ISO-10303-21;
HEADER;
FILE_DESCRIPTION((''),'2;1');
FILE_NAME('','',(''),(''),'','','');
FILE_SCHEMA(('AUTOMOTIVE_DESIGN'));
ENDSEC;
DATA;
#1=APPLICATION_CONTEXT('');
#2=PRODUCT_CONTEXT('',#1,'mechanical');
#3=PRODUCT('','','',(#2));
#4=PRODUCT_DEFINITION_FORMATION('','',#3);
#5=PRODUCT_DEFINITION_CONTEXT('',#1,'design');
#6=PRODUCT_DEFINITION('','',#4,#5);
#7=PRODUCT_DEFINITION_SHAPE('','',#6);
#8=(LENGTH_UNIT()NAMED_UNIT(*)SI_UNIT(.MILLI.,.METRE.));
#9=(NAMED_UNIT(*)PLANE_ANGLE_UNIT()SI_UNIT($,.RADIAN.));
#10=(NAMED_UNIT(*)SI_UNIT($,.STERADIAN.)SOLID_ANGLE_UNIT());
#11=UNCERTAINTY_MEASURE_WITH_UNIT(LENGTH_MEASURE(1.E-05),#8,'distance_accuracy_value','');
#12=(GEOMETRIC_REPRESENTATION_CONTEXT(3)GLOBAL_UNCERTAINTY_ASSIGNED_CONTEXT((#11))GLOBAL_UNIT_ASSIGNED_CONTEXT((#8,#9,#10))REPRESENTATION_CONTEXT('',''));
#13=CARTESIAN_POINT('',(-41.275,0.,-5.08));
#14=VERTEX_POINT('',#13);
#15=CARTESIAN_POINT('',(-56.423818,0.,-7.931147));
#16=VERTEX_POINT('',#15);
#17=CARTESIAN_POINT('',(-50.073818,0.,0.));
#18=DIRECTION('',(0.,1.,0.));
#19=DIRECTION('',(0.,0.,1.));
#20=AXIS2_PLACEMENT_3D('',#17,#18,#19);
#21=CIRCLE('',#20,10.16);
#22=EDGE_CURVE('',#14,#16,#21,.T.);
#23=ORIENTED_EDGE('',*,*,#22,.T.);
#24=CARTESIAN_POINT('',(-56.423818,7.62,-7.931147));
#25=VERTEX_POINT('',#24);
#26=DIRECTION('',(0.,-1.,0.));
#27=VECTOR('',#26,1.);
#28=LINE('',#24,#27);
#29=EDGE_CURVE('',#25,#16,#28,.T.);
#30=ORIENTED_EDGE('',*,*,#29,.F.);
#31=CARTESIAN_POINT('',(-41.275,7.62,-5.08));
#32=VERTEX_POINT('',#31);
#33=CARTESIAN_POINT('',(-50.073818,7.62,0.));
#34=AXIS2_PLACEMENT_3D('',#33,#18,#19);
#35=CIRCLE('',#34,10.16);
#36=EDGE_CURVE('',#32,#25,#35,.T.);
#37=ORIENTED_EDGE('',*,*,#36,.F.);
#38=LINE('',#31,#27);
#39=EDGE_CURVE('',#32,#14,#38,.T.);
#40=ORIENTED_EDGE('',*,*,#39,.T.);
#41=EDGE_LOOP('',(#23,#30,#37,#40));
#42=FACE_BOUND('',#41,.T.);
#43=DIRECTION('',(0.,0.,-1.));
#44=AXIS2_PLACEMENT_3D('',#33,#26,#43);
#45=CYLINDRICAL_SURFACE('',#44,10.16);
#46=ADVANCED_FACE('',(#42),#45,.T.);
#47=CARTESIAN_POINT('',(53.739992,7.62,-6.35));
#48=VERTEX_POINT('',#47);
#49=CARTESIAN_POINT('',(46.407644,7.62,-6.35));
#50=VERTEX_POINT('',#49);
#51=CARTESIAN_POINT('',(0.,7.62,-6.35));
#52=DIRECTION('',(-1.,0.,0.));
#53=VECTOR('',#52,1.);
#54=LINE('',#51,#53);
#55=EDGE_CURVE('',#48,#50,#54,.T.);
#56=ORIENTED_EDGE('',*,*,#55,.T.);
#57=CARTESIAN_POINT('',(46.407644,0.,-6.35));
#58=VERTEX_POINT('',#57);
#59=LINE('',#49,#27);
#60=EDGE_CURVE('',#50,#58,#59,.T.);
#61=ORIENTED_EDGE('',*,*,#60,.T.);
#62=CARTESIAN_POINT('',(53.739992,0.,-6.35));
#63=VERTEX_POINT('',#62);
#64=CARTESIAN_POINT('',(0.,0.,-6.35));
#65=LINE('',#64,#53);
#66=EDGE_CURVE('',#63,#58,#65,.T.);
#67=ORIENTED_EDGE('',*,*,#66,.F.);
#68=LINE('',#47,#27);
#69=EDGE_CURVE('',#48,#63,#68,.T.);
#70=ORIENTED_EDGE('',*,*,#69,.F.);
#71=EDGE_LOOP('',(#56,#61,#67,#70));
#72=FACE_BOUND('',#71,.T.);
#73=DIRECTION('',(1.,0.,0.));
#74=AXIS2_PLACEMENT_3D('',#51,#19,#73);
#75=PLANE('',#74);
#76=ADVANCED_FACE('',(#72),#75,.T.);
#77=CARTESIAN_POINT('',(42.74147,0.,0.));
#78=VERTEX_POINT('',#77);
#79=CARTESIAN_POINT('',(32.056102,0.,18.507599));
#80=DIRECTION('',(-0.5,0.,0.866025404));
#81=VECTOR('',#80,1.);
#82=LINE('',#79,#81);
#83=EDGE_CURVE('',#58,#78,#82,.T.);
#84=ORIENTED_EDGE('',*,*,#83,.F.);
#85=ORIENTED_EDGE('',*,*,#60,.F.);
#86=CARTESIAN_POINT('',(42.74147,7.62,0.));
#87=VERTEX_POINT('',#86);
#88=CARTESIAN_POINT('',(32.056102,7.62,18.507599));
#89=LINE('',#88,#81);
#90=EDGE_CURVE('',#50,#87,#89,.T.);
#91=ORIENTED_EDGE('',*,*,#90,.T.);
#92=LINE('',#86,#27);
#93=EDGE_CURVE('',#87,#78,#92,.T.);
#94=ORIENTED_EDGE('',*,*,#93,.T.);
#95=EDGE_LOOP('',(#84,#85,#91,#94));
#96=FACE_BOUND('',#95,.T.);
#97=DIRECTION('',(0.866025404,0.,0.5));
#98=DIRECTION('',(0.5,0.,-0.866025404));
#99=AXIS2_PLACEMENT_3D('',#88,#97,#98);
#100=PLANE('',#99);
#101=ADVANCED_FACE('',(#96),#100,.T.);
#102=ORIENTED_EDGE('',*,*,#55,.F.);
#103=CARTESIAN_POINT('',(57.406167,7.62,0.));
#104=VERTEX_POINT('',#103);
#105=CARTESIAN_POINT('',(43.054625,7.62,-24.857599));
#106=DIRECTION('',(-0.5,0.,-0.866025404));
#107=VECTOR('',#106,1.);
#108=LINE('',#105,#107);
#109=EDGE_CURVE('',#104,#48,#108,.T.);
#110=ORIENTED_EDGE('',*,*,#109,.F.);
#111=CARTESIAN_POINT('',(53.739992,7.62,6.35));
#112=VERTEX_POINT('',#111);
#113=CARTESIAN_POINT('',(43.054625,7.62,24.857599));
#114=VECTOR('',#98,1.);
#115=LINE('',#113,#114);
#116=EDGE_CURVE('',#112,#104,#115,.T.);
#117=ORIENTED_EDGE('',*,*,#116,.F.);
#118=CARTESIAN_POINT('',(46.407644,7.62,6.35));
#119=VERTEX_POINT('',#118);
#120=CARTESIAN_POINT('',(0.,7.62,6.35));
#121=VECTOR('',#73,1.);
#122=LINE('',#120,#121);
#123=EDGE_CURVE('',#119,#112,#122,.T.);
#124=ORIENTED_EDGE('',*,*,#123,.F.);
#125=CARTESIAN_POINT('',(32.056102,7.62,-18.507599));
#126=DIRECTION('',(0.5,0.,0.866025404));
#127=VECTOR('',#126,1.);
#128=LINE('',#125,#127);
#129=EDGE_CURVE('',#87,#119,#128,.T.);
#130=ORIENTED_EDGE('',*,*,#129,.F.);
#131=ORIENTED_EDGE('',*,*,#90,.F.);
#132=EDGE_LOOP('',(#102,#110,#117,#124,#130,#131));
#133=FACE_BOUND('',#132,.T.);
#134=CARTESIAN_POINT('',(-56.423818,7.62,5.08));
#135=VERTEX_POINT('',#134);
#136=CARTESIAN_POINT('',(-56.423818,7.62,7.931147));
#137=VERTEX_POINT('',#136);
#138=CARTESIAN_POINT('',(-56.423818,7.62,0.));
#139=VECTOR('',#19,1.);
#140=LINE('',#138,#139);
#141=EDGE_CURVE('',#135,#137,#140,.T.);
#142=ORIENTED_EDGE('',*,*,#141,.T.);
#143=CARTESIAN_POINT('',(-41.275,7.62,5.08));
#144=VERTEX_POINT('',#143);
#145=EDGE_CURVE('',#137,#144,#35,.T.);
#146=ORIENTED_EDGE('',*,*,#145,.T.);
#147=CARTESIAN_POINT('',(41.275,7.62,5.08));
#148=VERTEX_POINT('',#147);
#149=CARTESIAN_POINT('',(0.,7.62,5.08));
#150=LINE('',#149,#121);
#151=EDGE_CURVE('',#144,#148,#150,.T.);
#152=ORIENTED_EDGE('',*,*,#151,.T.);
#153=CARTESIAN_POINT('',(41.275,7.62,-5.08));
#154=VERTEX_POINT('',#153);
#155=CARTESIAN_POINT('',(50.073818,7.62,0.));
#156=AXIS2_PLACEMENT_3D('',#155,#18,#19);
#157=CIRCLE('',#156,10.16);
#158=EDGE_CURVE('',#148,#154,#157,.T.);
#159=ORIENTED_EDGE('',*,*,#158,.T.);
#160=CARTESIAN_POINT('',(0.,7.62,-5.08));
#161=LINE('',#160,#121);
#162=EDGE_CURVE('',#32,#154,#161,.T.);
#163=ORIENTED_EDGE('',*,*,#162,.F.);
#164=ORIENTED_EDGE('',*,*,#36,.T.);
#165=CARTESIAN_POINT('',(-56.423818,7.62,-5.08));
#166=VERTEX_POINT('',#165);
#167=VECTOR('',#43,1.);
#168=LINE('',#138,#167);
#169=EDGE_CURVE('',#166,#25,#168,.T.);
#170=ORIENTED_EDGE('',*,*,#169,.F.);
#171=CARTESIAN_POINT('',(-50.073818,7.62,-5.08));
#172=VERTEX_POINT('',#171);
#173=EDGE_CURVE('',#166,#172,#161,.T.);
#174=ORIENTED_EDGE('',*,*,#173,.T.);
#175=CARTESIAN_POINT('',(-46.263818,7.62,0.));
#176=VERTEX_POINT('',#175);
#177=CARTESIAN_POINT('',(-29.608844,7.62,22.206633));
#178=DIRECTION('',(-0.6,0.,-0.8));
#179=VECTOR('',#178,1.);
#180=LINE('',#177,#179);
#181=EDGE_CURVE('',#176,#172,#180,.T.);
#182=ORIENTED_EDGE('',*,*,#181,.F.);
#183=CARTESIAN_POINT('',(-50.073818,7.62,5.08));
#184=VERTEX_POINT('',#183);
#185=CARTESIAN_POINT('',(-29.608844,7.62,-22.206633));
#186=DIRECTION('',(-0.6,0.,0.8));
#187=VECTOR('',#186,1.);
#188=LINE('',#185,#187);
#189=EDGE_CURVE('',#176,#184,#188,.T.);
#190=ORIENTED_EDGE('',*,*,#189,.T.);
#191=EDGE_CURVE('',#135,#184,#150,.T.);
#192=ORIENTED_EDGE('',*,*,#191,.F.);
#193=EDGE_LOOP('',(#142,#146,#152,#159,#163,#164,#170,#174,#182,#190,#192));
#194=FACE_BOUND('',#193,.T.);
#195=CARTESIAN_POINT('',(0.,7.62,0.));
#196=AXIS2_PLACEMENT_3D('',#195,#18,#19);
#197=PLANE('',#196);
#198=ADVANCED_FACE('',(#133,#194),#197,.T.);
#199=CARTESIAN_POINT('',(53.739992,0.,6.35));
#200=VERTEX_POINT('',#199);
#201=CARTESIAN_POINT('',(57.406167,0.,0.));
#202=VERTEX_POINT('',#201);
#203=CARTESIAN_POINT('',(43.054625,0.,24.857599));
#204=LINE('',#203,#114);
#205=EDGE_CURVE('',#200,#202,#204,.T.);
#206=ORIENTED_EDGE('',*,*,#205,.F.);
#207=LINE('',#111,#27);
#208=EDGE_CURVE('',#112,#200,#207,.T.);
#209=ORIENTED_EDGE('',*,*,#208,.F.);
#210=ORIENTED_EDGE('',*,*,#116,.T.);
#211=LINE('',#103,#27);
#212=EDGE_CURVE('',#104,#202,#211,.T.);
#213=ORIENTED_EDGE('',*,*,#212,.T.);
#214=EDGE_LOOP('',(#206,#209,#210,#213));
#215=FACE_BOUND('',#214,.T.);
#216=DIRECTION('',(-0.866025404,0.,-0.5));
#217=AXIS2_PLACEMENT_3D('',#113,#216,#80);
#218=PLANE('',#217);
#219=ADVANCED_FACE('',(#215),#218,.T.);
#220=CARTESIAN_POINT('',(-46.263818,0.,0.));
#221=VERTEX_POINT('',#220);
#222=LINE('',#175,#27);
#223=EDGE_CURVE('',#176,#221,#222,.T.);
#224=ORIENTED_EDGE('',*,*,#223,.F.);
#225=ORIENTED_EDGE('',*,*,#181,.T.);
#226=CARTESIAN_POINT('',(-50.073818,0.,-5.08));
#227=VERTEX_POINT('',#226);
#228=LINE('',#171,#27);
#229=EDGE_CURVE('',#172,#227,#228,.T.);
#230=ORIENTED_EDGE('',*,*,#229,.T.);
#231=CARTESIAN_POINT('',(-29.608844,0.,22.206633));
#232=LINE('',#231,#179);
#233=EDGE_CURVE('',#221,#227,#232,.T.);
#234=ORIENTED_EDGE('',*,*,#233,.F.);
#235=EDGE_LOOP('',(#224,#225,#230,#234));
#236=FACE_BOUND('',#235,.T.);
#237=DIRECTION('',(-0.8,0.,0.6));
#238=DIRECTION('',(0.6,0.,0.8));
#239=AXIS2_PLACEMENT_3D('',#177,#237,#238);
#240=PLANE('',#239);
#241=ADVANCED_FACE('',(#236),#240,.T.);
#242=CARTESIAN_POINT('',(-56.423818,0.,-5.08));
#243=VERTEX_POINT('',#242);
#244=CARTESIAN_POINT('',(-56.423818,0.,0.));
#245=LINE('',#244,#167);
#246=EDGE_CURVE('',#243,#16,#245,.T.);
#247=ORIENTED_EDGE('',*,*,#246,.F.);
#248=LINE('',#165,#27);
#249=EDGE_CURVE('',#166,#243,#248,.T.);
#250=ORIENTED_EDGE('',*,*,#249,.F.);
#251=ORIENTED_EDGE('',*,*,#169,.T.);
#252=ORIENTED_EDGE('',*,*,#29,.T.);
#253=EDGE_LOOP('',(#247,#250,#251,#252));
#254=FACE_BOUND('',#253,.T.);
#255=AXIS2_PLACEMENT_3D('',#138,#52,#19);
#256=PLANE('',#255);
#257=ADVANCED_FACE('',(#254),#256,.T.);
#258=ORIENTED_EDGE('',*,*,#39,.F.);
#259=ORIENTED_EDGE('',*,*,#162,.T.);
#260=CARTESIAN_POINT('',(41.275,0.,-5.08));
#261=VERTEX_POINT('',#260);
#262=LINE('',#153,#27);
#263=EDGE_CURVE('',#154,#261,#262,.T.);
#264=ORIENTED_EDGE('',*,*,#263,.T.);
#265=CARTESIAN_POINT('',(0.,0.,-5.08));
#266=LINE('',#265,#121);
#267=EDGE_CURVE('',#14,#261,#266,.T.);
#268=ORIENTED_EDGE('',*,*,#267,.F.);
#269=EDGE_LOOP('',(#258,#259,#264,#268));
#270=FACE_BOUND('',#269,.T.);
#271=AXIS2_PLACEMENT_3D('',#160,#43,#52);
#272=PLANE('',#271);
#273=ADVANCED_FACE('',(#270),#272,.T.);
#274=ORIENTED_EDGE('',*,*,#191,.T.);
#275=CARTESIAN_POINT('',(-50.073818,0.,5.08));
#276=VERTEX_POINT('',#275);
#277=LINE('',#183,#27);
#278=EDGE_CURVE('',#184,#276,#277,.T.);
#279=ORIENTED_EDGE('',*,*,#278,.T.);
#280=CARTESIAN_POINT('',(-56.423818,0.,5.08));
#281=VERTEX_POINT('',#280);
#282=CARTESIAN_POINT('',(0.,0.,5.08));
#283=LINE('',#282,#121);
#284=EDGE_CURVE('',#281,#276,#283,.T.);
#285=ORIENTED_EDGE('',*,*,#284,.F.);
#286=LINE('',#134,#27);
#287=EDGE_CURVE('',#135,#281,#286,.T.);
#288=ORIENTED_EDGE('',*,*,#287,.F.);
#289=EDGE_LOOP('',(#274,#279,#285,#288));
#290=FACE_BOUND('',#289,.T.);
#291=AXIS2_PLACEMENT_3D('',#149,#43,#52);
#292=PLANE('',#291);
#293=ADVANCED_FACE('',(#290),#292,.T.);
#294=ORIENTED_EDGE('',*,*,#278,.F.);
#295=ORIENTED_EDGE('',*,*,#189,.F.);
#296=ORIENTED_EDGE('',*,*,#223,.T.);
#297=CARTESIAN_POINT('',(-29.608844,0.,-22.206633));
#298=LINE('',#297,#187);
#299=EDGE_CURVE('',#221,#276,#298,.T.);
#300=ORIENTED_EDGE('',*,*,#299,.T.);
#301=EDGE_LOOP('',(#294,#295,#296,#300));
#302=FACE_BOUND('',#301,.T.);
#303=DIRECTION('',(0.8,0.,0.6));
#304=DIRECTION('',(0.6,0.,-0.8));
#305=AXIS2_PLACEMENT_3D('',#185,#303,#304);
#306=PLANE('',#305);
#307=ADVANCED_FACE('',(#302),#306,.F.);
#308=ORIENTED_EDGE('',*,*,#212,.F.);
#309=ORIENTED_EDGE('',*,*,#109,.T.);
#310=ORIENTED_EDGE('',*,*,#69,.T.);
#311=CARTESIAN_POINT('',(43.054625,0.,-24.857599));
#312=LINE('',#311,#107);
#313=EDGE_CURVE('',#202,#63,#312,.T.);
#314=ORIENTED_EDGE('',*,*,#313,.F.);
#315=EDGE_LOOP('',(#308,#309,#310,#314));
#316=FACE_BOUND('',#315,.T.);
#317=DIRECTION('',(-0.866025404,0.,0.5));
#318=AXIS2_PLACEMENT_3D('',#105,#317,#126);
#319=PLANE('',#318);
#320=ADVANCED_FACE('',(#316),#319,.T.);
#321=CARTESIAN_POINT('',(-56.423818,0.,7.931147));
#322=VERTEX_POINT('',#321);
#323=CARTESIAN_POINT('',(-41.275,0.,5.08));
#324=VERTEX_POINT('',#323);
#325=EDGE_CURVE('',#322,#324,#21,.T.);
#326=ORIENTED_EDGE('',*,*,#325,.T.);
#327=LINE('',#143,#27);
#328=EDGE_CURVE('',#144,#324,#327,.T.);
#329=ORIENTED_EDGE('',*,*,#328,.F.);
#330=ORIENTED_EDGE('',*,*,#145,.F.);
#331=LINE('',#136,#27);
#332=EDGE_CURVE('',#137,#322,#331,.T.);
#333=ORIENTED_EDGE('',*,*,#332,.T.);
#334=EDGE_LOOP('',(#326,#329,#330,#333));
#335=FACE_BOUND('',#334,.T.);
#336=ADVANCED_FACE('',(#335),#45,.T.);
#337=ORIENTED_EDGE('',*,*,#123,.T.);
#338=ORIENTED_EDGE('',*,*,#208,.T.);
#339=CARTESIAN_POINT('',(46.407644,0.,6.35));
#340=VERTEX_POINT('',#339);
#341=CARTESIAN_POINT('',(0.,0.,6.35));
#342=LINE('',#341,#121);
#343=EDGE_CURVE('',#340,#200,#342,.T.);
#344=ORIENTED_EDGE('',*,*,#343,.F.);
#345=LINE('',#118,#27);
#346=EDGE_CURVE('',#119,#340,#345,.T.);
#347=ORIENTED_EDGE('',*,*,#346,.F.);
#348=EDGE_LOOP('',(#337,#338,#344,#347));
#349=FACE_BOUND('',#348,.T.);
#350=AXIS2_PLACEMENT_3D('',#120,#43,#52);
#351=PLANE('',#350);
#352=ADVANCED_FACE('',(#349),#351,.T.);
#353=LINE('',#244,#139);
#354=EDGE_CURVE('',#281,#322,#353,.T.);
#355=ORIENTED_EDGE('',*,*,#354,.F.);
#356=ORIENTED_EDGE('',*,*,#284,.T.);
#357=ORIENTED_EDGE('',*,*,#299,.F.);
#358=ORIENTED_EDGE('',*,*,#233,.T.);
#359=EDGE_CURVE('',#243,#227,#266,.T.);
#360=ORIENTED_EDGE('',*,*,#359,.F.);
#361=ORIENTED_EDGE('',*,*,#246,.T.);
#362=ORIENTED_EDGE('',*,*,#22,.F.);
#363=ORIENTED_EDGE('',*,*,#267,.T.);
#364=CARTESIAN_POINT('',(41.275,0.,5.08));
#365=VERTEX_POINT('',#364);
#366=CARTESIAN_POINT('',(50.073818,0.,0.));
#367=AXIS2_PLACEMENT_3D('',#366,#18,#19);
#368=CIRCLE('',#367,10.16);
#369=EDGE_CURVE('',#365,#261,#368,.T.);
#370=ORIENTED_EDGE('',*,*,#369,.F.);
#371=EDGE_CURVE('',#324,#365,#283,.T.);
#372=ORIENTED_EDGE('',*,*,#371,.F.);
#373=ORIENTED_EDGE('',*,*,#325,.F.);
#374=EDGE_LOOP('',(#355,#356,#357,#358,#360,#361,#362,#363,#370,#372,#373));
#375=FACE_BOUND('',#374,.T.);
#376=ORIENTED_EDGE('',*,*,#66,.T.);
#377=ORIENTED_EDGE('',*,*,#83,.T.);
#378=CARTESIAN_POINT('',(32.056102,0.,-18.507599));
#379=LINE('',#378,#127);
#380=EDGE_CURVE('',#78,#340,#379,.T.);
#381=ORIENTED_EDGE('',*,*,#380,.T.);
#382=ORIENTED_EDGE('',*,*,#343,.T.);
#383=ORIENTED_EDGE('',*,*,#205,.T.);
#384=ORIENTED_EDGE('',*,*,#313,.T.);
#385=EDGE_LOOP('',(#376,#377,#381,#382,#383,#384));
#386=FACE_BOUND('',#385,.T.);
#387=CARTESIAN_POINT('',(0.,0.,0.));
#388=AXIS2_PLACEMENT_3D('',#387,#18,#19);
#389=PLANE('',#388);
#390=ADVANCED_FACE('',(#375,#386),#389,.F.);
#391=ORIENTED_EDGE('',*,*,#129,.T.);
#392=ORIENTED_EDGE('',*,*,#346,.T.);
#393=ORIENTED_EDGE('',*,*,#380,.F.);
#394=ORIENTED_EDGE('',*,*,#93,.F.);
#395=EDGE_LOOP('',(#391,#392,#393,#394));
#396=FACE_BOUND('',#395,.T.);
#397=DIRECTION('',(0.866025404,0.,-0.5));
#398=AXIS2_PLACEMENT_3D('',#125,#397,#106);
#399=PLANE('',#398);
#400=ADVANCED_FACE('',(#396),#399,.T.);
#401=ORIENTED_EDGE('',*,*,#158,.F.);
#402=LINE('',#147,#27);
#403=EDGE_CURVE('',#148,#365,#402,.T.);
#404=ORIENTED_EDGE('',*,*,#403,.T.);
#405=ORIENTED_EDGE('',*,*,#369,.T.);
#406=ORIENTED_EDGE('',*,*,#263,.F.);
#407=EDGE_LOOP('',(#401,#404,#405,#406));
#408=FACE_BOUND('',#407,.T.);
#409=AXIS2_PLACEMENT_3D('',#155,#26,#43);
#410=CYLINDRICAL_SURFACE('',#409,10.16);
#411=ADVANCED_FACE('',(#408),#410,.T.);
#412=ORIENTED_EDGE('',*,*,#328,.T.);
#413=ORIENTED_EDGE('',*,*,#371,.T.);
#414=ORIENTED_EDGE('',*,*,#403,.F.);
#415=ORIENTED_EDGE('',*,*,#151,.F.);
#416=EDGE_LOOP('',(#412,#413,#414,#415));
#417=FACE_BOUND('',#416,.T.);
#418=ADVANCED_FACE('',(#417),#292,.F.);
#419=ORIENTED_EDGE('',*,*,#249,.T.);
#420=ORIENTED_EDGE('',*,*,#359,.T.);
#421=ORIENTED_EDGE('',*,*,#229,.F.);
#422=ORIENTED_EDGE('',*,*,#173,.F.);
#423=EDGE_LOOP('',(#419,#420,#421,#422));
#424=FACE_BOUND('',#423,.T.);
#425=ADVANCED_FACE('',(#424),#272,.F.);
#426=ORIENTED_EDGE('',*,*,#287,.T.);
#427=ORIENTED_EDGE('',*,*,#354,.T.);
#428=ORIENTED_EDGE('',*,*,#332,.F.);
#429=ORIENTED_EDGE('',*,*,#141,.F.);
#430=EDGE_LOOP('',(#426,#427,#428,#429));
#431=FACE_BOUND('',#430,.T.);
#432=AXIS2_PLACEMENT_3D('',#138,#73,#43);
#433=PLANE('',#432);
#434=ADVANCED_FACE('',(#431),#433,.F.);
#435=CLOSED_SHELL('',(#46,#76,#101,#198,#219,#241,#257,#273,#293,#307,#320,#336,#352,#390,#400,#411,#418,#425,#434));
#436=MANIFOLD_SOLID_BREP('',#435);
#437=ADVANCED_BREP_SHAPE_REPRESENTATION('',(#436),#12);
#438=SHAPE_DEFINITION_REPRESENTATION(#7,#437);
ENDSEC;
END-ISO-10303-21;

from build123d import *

# Parameters (mm, degrees)
BOSS_EXTRUDE1_DEPTH = 7.62


with BuildPart() as part:
    # Sketch2 → Boss-Extrude1 (new body)
    with BuildSketch(Plane(origin=(0, 0, 0), x_dir=(1, 0, 0), z_dir=(0, 1, 0))):
        with BuildLine():
            Line((-41.275, 5.08), (41.275, 5.08))
            ThreePointArc((41.275, 5.08), (60.233818102, 0), (41.275, -5.08))
            Line((41.275, -5.08), (-41.275, -5.08))
            ThreePointArc((-41.275, -5.08), (-48.194606038, -9.984696391), (-56.423818102, -7.931147458))
            Line((-56.423818102, -7.931147458), (-56.423818102, -5.08))
            Line((-56.423818102, -5.08), (-50.073818102, -5.08))
            Line((-50.073818102, -5.08), (-46.263818102, 0))
            Line((-46.263818102, 0), (-50.073818102, 5.08))
            Line((-50.073818102, 5.08), (-56.423818102, 5.08))
            Line((-56.423818102, 5.08), (-56.423818102, 7.931147458))
            ThreePointArc((-56.423818102, 7.931147458), (-48.194606038, 9.984696391), (-41.275, 5.08))
        make_face()
        Polygon((53.739992312, -6.35), (57.406166521, 0), (53.739992312, 6.35), (46.407643893, 6.35), (42.741469684, 0), (46.407643893, -6.35), align=None, mode=Mode.SUBTRACT)
    extrude(amount=BOSS_EXTRUDE1_DEPTH)


solid = part.part
